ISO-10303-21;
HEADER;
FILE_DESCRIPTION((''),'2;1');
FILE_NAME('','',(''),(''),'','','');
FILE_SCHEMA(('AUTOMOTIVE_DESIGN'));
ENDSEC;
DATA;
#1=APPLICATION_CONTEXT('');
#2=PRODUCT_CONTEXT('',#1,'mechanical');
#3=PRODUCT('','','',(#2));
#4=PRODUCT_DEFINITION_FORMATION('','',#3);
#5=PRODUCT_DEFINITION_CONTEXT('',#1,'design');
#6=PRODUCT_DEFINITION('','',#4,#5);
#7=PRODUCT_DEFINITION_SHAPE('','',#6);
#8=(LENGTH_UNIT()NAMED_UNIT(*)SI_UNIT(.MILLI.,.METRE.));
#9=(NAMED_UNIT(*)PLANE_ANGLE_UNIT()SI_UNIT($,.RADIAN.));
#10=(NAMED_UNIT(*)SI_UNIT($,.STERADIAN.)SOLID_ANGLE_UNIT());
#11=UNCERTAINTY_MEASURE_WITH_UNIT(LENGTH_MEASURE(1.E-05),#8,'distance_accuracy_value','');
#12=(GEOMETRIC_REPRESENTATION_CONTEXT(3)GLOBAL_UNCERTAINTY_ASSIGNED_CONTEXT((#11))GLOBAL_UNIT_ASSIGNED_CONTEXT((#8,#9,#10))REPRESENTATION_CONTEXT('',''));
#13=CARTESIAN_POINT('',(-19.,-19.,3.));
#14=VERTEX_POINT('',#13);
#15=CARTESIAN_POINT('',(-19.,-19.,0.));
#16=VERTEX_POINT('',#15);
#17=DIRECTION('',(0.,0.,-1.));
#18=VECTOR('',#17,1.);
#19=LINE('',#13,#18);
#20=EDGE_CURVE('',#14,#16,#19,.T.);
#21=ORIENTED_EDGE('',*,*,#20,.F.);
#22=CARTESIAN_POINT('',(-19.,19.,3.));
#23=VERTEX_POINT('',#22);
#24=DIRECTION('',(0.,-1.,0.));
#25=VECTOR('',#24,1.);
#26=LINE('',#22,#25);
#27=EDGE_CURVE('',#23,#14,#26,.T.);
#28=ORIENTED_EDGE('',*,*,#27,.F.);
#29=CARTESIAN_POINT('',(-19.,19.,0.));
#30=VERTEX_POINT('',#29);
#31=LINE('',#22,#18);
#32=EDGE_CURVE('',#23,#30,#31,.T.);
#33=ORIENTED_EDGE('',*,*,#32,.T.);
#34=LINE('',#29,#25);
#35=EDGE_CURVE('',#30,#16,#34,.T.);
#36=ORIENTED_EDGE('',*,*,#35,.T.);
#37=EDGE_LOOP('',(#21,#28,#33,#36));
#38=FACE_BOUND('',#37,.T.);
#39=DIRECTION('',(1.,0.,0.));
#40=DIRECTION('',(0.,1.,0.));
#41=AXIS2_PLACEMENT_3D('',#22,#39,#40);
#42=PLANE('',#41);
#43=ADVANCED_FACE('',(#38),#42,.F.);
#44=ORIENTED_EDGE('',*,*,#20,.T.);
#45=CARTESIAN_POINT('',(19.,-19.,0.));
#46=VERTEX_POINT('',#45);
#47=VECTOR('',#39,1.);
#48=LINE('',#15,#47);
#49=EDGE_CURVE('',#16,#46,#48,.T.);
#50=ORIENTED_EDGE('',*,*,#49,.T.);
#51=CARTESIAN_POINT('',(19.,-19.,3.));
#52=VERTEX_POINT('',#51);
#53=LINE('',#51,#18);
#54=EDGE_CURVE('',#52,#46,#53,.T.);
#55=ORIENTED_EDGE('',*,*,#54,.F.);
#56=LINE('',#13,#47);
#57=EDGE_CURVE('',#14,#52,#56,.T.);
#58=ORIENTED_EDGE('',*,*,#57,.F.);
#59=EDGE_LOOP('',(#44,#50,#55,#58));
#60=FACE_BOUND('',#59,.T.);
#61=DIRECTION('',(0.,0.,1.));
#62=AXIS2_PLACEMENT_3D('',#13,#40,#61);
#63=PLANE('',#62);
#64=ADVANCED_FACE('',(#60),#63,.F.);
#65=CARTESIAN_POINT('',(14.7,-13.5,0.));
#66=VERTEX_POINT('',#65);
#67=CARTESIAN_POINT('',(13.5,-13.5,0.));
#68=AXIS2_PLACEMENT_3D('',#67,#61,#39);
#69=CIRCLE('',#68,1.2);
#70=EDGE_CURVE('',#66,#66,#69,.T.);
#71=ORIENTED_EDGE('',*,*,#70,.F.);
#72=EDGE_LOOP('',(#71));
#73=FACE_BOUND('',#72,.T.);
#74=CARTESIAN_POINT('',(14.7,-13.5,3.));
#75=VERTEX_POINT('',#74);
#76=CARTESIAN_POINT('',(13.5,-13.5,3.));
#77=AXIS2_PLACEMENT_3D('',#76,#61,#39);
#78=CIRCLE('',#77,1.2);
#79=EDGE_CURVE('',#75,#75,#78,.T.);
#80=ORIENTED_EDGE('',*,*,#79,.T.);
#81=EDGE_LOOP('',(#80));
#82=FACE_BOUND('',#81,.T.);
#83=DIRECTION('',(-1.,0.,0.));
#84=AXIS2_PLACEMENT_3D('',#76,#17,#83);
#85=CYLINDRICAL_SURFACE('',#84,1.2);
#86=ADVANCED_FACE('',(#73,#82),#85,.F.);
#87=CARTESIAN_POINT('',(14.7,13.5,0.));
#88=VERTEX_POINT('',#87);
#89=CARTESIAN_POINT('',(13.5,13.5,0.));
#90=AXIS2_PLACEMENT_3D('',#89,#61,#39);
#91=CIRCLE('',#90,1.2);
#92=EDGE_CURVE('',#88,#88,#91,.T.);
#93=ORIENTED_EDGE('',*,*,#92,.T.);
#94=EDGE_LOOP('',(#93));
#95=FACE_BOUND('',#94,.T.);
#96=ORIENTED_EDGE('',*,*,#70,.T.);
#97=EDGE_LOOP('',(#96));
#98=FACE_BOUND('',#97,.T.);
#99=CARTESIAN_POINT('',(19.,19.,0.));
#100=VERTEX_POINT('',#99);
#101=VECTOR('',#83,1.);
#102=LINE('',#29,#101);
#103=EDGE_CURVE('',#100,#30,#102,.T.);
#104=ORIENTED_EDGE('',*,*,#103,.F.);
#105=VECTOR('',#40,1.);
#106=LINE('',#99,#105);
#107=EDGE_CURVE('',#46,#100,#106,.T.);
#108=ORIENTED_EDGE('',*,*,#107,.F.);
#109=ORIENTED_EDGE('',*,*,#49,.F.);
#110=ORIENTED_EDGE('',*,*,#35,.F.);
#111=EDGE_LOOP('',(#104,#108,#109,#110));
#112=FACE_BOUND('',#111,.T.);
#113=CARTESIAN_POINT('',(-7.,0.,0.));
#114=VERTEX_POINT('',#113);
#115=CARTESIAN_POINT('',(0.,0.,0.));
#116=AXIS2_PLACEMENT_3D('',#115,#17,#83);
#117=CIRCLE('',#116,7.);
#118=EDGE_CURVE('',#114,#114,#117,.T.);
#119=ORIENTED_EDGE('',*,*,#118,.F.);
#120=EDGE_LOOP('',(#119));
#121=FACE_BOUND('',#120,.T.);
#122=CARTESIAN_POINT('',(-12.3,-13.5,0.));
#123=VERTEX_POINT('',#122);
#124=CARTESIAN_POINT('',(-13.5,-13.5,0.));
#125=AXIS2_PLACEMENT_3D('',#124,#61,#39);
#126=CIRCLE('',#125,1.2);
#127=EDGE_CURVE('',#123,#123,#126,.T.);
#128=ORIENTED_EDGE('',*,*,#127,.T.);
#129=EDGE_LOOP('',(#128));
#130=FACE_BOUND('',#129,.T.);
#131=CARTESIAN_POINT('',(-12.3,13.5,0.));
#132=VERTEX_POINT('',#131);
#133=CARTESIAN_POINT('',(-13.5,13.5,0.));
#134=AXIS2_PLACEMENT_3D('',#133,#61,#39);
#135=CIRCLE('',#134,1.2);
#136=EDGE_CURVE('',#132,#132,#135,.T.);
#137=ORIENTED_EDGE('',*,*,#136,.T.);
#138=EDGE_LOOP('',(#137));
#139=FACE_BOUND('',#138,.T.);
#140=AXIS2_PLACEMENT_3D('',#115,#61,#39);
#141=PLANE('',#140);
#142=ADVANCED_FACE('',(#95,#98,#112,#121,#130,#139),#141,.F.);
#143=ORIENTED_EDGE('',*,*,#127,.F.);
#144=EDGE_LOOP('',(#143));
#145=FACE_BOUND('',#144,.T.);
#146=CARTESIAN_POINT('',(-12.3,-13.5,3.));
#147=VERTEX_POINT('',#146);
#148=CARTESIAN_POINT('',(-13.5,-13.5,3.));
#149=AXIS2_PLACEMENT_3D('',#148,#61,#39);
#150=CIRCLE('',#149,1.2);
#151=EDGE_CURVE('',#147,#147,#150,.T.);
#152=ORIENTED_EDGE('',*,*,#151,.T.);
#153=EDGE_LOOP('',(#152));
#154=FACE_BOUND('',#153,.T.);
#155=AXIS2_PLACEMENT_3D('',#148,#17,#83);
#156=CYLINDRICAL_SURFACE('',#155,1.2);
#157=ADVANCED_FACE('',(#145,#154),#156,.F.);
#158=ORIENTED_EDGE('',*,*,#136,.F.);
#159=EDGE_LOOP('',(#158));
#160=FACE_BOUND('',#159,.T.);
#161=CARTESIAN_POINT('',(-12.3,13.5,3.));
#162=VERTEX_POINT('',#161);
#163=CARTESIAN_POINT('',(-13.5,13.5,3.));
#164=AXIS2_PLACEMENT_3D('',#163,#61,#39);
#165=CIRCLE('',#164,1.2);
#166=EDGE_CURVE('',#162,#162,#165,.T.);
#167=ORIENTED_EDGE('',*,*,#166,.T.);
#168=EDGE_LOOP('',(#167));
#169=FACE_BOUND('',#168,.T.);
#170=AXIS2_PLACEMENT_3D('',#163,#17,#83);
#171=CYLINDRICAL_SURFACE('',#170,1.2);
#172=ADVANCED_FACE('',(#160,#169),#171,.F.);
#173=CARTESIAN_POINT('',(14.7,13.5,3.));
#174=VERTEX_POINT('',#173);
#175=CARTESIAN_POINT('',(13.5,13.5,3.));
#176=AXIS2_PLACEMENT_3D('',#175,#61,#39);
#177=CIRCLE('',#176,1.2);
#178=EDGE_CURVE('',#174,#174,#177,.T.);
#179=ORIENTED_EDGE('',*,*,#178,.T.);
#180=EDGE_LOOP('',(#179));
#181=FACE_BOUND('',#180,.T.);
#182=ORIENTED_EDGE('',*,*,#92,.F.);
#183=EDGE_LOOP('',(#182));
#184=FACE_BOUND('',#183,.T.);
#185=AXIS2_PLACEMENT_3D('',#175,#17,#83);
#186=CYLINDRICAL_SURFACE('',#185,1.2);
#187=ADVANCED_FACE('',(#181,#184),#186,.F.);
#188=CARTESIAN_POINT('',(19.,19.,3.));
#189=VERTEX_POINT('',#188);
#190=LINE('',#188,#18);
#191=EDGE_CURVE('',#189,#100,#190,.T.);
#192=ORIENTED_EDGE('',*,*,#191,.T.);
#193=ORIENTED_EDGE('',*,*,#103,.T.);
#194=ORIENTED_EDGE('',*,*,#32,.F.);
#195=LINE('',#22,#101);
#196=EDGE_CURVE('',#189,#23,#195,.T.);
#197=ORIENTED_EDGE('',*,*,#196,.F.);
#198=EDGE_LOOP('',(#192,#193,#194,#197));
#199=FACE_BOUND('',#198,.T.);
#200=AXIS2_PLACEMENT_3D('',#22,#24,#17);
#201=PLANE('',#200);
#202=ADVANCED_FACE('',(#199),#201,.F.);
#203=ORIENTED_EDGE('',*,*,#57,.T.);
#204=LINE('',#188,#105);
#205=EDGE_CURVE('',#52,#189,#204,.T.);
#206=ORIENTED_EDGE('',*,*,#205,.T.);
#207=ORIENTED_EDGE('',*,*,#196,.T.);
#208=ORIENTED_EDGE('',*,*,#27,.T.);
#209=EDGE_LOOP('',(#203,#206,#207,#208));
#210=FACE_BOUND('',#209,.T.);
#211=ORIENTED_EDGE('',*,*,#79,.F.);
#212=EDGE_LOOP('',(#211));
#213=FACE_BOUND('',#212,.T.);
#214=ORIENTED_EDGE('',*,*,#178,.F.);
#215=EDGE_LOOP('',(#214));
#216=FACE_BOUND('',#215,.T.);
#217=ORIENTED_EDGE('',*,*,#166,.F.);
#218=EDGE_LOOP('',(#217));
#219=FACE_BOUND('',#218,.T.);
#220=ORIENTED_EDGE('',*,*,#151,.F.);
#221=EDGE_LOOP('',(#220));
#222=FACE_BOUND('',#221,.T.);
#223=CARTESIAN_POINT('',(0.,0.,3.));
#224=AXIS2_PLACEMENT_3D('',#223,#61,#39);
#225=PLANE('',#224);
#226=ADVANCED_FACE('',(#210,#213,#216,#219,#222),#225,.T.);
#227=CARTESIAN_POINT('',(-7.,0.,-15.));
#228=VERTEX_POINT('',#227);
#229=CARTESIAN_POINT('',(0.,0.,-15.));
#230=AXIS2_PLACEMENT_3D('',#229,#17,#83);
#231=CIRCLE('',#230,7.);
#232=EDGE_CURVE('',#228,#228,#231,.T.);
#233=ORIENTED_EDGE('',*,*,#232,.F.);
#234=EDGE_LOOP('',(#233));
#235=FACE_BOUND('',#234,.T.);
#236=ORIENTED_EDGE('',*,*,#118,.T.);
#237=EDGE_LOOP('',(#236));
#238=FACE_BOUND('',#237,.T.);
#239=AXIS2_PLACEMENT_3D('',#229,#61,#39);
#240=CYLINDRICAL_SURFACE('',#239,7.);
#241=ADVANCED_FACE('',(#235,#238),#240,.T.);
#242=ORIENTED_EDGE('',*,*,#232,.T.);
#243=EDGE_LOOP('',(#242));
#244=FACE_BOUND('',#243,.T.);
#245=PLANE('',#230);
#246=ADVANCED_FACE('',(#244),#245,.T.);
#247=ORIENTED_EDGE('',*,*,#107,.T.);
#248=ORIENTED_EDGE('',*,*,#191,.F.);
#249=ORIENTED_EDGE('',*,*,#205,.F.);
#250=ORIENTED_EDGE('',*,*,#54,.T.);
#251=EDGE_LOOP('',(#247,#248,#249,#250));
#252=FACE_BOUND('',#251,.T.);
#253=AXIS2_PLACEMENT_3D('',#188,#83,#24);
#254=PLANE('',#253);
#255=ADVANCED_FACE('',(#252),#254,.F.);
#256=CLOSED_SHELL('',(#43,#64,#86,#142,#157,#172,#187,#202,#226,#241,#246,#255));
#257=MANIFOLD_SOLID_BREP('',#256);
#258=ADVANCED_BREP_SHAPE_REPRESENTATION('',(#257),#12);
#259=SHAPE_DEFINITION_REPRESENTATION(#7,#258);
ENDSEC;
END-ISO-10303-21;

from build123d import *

# Parameters (mm, degrees)
SKETCH_1_W      = 38
SKETCH_1_H      = 38
SKETCH_1_R      = 1.2
EXTRUDE_1_DEPTH = 3
SKETCH_2_R      = 7
EXTRUDE_2_DEPTH = 15


with BuildPart() as part:
    # 草图1 → 凸台-拉伸1 (new body)
    with BuildSketch(Plane.XY):
        Rectangle(SKETCH_1_W, SKETCH_1_H)
        with Locations((-13.5, 13.5)):
            Circle(SKETCH_1_R, mode=Mode.SUBTRACT)
        with Locations((13.5, 13.5)):
            Circle(SKETCH_1_R, mode=Mode.SUBTRACT)
        with Locations((13.5, -13.5)):
            Circle(SKETCH_1_R, mode=Mode.SUBTRACT)
        with Locations((-13.5, -13.5)):
            Circle(SKETCH_1_R, mode=Mode.SUBTRACT)
    extrude(amount=EXTRUDE_1_DEPTH)

    # 草图2 → 凸台-拉伸2 (add)
    with BuildSketch(Plane(origin=(0, 0, 0), x_dir=(-1, 0, 0), z_dir=(0, 0, -1))):
        Circle(SKETCH_2_R)
    extrude(amount=EXTRUDE_2_DEPTH)


solid = part.part
